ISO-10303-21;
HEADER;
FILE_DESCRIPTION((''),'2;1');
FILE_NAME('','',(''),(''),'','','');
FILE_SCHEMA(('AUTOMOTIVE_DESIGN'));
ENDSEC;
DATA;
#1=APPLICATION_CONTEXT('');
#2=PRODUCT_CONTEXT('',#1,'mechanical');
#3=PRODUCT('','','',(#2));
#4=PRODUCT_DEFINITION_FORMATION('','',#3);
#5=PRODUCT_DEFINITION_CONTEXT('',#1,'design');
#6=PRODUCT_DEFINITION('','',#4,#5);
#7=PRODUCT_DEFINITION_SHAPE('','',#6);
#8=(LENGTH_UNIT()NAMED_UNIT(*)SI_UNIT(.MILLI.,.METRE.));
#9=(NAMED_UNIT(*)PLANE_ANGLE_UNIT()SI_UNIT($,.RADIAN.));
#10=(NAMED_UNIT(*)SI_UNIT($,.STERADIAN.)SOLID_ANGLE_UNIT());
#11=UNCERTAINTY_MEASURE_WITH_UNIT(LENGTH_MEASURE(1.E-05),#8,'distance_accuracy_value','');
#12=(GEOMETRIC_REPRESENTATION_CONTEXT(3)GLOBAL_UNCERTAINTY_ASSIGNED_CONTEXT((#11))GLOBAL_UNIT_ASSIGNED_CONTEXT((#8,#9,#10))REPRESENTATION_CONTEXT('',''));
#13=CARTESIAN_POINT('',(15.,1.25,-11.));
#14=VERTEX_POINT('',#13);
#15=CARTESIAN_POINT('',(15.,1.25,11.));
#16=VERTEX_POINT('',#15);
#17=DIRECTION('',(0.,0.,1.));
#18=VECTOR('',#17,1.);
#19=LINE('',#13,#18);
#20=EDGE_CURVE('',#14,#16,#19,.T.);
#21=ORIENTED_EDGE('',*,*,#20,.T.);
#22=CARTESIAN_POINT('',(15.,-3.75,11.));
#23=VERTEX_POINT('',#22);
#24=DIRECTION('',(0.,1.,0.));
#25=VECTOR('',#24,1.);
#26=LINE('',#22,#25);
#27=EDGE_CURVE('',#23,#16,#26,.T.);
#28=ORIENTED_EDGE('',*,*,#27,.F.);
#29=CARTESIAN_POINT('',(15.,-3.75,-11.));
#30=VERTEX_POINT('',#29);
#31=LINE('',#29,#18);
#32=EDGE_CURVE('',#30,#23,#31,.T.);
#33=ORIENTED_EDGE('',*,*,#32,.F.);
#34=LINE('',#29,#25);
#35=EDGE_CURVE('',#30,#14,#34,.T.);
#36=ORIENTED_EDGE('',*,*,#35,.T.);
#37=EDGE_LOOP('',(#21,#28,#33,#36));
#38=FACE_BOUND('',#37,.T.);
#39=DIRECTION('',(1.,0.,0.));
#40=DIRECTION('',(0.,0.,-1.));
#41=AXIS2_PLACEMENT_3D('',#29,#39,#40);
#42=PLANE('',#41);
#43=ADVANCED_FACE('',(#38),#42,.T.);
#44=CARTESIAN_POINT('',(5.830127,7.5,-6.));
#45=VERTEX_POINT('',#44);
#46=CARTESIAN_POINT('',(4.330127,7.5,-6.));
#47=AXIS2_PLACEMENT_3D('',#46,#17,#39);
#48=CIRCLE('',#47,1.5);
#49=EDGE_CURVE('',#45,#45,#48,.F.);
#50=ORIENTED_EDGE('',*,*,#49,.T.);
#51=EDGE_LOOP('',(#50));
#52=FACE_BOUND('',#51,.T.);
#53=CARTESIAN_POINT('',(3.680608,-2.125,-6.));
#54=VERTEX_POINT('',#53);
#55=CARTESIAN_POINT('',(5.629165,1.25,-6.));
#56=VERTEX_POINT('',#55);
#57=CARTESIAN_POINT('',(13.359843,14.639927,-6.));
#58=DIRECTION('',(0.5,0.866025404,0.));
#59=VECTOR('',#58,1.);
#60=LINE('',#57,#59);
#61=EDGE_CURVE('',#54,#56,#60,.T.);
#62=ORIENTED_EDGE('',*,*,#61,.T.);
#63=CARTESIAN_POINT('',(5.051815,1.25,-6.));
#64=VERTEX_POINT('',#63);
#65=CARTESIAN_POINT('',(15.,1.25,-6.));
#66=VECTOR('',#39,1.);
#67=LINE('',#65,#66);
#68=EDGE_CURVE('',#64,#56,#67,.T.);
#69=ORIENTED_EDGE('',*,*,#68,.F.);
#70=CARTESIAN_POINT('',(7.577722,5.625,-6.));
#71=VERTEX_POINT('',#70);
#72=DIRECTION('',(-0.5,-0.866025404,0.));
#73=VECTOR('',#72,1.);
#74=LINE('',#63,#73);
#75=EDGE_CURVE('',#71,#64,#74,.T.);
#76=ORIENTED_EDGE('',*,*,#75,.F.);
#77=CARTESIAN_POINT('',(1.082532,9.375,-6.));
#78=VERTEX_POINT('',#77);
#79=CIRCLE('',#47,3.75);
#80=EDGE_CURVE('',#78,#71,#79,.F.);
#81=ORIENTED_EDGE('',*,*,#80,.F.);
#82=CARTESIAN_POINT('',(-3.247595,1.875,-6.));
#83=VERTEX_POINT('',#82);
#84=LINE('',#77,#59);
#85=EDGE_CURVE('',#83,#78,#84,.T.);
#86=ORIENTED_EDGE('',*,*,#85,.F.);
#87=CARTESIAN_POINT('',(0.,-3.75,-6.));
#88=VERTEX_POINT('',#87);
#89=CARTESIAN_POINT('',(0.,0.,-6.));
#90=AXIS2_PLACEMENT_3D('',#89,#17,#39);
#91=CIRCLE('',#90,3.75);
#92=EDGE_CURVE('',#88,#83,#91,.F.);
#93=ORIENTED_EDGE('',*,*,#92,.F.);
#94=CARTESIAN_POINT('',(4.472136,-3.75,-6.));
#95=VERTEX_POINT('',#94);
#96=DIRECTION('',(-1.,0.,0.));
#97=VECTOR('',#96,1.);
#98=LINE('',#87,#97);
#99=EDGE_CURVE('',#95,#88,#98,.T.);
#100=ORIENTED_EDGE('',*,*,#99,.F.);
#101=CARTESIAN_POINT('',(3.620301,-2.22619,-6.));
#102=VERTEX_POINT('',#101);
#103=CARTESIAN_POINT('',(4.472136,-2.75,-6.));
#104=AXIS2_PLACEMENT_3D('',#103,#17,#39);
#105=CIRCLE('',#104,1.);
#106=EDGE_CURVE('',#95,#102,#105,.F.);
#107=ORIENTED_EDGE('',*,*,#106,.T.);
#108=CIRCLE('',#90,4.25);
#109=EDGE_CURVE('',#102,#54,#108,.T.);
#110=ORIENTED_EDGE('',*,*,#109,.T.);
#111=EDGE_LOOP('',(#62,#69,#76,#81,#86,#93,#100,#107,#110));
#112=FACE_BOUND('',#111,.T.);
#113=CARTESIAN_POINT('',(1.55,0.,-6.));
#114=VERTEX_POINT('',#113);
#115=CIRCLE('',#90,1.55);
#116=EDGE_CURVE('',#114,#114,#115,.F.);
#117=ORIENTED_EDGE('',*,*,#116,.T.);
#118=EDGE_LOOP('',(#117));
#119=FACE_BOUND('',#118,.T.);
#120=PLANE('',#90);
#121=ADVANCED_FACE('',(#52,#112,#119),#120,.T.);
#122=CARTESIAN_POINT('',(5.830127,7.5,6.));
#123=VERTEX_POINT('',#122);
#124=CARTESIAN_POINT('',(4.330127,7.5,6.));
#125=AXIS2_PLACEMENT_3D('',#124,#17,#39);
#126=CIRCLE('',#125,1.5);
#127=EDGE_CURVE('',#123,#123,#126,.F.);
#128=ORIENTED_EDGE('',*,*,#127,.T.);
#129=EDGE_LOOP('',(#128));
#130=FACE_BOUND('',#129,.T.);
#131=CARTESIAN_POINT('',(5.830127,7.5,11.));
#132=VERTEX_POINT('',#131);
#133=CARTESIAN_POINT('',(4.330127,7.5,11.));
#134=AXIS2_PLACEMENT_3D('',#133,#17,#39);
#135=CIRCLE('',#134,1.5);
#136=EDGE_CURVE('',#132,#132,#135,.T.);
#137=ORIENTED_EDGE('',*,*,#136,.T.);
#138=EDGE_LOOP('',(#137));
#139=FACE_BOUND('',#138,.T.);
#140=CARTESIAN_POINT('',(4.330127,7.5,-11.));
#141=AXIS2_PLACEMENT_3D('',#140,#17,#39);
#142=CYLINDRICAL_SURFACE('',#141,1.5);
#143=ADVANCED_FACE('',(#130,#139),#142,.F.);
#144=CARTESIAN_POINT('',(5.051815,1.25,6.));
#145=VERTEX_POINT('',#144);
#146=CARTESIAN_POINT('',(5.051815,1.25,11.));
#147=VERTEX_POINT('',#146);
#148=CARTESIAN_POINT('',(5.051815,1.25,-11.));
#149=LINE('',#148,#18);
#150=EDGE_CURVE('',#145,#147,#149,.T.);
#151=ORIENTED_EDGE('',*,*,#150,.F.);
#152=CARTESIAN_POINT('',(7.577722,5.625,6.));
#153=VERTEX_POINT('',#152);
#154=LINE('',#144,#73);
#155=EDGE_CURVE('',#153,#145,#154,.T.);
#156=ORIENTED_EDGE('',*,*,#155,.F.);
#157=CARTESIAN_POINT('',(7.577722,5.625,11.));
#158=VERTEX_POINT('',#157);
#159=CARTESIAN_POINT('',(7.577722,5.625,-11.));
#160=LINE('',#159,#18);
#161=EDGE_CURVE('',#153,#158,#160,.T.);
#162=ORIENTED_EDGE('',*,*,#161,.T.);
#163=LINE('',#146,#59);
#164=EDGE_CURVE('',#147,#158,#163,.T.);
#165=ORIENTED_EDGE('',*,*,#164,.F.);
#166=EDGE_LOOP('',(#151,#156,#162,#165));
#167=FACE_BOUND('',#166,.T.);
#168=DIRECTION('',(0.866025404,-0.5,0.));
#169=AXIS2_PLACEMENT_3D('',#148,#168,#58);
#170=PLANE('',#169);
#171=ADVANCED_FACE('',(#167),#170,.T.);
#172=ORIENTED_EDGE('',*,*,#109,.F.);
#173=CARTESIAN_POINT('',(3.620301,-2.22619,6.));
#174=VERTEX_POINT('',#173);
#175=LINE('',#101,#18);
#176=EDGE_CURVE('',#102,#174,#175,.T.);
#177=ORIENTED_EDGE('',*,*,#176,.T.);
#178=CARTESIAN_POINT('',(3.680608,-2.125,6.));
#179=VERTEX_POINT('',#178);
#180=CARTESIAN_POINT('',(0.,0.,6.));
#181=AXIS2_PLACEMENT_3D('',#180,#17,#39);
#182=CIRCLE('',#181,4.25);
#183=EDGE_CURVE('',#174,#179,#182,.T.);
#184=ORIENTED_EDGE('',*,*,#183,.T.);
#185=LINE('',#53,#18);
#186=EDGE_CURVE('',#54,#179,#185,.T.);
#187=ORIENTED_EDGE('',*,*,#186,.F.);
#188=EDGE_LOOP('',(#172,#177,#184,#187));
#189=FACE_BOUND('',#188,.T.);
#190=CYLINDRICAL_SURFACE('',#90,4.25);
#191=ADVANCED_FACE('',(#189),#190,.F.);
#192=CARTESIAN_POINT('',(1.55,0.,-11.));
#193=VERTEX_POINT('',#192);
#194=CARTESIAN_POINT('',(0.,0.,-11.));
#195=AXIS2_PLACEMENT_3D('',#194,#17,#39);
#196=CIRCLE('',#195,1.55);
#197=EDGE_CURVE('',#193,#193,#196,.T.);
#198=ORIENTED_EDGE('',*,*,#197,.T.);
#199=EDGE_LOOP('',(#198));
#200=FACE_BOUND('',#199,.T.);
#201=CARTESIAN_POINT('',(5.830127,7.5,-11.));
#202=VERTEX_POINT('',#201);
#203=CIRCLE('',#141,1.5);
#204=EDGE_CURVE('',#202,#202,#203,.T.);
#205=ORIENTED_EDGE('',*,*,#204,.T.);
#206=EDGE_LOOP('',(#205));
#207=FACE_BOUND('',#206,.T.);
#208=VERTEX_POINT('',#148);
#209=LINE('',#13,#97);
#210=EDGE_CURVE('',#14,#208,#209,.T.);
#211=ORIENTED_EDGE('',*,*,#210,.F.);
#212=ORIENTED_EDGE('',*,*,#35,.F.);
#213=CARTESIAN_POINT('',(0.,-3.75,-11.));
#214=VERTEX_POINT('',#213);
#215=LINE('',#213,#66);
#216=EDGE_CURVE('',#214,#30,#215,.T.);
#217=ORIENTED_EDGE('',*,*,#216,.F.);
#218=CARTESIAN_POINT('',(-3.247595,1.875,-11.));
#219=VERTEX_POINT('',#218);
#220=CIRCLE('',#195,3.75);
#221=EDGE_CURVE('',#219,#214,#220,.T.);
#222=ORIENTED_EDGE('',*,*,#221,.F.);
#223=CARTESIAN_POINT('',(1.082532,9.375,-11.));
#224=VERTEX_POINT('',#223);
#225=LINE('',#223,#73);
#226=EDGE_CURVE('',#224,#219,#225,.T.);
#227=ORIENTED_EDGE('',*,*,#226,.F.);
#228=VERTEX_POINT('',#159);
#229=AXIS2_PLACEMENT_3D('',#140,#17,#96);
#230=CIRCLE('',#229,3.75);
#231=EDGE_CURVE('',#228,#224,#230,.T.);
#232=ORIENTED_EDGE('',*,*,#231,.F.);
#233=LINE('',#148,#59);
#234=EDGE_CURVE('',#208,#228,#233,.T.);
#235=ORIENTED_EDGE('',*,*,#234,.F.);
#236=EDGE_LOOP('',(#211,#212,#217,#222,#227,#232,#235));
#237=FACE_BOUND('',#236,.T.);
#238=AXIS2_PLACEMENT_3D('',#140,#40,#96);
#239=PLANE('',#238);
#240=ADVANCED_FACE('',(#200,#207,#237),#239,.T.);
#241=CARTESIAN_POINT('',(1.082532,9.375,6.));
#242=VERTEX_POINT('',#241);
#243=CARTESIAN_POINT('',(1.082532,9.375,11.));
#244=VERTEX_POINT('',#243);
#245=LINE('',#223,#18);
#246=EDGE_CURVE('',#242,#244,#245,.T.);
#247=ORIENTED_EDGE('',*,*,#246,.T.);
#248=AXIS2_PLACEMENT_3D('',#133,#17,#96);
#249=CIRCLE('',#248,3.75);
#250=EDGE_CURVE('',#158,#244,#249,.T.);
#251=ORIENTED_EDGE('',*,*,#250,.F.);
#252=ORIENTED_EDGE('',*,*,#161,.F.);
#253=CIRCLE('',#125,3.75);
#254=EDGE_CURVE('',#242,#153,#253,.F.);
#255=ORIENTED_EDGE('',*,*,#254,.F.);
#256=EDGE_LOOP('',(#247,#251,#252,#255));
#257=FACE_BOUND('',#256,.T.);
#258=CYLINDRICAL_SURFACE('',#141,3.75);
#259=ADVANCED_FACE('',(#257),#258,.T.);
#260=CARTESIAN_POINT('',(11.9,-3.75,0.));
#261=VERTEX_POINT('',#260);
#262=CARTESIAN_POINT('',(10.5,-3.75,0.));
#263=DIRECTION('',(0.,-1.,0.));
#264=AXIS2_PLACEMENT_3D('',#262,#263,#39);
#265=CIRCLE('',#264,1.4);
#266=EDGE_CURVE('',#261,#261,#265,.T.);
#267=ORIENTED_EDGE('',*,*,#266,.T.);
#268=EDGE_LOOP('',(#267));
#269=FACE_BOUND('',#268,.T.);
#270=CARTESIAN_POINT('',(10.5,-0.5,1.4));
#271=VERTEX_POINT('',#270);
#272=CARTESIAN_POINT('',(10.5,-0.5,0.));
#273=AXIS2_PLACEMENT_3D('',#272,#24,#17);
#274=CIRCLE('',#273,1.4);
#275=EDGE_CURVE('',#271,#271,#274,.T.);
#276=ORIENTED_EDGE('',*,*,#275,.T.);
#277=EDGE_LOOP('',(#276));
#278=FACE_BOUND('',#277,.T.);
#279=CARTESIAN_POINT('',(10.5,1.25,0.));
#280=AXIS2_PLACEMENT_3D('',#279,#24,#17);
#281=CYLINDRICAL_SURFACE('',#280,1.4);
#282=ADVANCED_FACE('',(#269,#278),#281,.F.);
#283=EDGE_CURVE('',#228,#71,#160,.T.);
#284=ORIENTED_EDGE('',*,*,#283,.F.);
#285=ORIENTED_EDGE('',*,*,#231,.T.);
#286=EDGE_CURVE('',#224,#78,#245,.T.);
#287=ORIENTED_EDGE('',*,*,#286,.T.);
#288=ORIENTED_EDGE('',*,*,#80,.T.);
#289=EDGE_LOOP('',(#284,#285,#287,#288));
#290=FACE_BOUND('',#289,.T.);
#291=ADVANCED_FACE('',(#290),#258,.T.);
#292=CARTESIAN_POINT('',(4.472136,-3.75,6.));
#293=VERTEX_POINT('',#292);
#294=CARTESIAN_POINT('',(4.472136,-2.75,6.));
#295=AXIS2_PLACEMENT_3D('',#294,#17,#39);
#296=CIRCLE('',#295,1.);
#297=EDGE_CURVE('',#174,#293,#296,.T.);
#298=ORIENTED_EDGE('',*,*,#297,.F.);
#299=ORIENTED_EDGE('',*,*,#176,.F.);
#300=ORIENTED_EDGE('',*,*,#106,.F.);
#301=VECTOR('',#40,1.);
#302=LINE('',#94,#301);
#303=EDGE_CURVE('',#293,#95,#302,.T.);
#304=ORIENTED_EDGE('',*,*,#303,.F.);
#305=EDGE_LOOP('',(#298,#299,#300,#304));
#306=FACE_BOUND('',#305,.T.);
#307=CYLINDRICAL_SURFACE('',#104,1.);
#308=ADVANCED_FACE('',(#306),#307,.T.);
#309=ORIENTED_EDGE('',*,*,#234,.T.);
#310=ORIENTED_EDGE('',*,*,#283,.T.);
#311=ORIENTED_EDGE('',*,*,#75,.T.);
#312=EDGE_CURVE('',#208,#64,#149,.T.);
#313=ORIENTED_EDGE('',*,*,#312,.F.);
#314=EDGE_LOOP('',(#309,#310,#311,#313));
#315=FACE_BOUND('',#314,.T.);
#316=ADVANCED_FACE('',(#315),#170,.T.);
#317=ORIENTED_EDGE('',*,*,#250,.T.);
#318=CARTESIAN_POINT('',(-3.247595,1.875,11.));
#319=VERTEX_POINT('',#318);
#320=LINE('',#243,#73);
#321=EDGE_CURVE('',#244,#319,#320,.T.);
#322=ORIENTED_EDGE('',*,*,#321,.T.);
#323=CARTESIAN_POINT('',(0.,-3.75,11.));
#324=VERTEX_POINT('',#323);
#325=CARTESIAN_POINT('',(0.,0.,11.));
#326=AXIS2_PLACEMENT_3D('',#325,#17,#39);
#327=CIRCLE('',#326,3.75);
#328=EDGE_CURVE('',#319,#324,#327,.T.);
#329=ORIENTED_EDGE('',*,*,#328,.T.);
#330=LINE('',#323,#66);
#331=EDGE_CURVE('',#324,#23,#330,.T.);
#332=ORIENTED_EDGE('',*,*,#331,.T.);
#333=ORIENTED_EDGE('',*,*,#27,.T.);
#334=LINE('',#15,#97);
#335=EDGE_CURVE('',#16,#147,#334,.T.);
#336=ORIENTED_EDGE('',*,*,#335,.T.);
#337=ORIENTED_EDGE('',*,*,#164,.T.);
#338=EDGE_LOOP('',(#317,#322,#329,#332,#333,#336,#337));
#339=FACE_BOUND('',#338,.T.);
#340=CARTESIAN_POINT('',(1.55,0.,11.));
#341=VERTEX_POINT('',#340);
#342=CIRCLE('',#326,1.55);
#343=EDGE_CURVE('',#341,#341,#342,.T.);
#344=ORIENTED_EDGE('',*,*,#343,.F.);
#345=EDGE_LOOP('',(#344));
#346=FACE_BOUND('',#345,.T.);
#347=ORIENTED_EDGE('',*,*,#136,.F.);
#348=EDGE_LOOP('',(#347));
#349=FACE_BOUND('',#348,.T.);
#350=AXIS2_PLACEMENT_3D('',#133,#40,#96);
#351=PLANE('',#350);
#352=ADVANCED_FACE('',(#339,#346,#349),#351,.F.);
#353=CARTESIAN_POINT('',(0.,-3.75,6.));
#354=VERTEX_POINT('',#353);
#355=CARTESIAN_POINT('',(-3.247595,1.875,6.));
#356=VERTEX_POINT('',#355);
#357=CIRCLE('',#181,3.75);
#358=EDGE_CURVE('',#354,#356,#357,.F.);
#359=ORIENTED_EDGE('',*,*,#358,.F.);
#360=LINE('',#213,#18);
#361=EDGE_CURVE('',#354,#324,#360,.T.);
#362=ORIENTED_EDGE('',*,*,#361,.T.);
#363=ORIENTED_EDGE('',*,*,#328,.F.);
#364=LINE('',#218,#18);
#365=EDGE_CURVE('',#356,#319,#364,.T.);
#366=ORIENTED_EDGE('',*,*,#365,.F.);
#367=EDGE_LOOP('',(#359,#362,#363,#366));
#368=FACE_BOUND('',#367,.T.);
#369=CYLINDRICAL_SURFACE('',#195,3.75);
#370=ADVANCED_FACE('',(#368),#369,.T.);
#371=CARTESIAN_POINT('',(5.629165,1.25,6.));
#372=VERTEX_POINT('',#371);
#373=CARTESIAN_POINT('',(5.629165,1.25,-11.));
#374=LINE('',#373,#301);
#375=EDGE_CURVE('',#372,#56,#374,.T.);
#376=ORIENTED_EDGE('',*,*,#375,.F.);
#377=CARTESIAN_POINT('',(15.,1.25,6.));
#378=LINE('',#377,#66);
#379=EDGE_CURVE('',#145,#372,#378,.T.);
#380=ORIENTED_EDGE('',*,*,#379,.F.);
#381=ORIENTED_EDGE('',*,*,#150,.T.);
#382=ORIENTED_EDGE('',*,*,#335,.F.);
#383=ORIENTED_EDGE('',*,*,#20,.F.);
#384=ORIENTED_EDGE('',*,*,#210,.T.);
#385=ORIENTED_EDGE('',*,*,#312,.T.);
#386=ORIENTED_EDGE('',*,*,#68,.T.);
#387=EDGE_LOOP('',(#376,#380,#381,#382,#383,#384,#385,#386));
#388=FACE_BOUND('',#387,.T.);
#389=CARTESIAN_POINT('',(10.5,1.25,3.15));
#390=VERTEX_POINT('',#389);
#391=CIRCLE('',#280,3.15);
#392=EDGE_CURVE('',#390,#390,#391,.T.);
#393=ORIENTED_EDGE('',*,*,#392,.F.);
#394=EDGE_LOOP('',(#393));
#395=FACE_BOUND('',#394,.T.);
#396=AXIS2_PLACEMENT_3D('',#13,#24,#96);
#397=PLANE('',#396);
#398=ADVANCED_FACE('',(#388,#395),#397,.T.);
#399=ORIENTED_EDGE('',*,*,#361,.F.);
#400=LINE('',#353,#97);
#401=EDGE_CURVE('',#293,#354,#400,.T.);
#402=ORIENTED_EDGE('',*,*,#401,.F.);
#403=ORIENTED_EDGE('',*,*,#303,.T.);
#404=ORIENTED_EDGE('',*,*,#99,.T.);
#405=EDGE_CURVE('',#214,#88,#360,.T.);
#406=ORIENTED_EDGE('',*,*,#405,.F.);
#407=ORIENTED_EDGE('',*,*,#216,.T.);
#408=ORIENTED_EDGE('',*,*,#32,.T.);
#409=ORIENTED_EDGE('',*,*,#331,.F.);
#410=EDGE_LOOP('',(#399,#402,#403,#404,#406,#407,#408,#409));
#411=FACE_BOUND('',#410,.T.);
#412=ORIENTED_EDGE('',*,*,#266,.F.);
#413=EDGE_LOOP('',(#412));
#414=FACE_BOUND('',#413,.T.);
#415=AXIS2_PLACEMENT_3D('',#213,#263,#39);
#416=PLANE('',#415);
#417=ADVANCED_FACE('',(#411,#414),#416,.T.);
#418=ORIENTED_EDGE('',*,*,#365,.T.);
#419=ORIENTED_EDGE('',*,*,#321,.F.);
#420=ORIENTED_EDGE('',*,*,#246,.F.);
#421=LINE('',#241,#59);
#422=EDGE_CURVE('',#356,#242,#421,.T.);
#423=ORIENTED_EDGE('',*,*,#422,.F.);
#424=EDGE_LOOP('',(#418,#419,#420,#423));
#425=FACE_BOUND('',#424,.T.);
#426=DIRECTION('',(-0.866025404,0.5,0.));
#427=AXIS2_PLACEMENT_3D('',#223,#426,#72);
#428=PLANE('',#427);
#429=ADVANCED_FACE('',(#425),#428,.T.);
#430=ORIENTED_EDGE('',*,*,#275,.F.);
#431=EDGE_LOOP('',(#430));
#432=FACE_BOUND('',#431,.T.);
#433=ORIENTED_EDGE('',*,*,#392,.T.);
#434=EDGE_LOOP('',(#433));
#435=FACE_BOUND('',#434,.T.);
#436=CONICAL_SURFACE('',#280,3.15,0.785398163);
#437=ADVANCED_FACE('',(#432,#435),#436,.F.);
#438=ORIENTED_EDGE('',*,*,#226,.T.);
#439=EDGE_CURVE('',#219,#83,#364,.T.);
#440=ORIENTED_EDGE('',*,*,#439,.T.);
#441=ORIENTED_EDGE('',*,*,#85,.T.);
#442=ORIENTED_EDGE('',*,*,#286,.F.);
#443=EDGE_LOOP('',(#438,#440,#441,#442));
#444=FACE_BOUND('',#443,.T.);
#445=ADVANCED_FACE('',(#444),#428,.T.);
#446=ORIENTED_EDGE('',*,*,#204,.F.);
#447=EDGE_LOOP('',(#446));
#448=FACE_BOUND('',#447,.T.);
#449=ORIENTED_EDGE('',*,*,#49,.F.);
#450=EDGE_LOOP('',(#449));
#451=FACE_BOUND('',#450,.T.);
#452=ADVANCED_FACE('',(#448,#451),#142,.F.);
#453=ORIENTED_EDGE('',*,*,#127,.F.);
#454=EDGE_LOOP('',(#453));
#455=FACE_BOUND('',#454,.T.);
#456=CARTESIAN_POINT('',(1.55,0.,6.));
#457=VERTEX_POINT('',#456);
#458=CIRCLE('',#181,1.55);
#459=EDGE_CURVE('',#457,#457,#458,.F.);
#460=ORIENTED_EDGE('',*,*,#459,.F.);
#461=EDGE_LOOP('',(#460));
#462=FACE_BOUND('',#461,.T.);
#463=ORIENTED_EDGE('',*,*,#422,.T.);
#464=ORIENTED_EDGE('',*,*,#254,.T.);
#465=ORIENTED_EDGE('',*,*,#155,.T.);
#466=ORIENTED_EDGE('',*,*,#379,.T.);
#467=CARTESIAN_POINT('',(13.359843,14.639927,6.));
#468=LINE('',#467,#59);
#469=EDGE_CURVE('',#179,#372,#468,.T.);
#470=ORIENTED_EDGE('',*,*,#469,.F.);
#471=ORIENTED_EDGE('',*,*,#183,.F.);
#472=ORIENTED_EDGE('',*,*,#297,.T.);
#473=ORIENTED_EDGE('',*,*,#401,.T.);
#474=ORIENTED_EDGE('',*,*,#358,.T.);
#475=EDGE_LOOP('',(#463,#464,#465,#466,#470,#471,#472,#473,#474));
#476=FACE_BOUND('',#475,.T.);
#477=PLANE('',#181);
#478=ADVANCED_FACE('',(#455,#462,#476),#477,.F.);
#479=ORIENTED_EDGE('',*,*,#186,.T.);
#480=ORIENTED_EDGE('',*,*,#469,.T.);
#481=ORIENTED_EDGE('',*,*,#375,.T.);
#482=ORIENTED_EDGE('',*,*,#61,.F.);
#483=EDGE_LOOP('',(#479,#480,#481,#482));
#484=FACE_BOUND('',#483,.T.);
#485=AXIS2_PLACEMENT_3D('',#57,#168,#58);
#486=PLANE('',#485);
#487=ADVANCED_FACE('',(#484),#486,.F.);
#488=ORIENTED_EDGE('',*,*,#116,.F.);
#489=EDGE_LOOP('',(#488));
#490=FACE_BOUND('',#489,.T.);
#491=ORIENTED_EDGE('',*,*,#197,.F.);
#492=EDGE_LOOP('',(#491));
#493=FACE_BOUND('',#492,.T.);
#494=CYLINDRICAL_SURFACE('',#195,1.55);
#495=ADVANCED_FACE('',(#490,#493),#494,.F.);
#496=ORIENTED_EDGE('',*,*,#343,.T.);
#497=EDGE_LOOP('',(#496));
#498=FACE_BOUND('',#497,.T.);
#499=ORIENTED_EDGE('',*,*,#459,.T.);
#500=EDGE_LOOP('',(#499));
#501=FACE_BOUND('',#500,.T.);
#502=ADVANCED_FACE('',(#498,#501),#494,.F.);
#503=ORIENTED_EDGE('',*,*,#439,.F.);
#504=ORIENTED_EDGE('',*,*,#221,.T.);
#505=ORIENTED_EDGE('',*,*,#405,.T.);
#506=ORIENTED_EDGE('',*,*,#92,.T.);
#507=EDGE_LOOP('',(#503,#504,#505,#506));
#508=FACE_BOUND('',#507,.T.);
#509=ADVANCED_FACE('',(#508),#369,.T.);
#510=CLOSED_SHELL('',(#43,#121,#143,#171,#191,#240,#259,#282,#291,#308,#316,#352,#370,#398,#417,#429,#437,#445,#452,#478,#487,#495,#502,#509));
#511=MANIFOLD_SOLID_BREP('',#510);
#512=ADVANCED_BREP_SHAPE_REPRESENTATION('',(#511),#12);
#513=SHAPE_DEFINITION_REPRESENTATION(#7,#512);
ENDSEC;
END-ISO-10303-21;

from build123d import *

# Parameters (mm, degrees)
SKETCH1_R                                       = 1.55
SKETCH1_R_2                                     = 1.5
BOSS_EXTRUDE1_DEPTH                             = 11
CUT_EXTRUDE1_DEPTH                              = 6
CSK_FOR_M3_FLAT_HEAD_MACHINE_SCREW1_D           = 2.8
CSK_FOR_M3_FLAT_HEAD_MACHINE_SCREW1_DEPTH       = 10
CSK_FOR_M3_FLAT_HEAD_MACHINE_SCREW1_CSINK_D     = 6.3
CSK_FOR_M3_FLAT_HEAD_MACHINE_SCREW1_CSINK_ANGLE = 90
CSK_FOR_M3_FLAT_HEAD_MACHINE_SCREW1_TIP         = 0.841204867
FILLET1_R                                       = 1


with BuildPart() as part:
    # Sketch1 → Boss-Extrude1 (new body, symmetric)
    with BuildSketch(Plane.XY):
        with BuildLine():
            Line((1.082531755, 9.375), (-3.247595264, 1.875))
            ThreePointArc((-3.247595264, 1.875), (-3.247595264, -1.875), (0, -3.75))
            Line((0, -3.75), (15, -3.75))
            Line((15, -3.75), (15, 1.25))
            Line((15, 1.25), (5.051814855, 1.25))
            Line((5.051814855, 1.25), (7.577722283, 5.625))
            ThreePointArc((7.577722283, 5.625), (6.205127019, 10.747595264), (1.082531755, 9.375))
        make_face()
        Circle(SKETCH1_R, mode=Mode.SUBTRACT)
        with Locations((4.330127019, 7.5)):
            Circle(SKETCH1_R_2, mode=Mode.SUBTRACT)
    extrude(amount=BOSS_EXTRUDE1_DEPTH, both=True)

    # Sketch5 → Cut-Extrude1 (cut, symmetric)
    with BuildSketch(Plane.XY):
        with BuildLine():
            Line((-3.680607966, 2.125), (5.998626937, 18.88992663))
            Line((5.998626937, 18.88992663), (13.359842869, 14.63992663))
            Line((13.359842869, 14.63992663), (3.680607966, -2.125))
            ThreePointArc((3.680607966, -2.125), (-2.125, -3.680607966), (-3.680607966, 2.125))
        make_face()
    extrude(amount=CUT_EXTRUDE1_DEPTH, both=True, mode=Mode.SUBTRACT)

    # CSK for M3 Flat Head Machine Screw1
    with Locations(Plane(origin=(0, 1.25, 0), x_dir=(1, 0, 0), z_dir=(0, 1, 0))):
        with Locations((10.5, 0)):
            CounterSinkHole(CSK_FOR_M3_FLAT_HEAD_MACHINE_SCREW1_D / 2, CSK_FOR_M3_FLAT_HEAD_MACHINE_SCREW1_CSINK_D / 2, depth=CSK_FOR_M3_FLAT_HEAD_MACHINE_SCREW1_DEPTH, counter_sink_angle=CSK_FOR_M3_FLAT_HEAD_MACHINE_SCREW1_CSINK_ANGLE)
            with Locations((0, 0, -(CSK_FOR_M3_FLAT_HEAD_MACHINE_SCREW1_DEPTH + CSK_FOR_M3_FLAT_HEAD_MACHINE_SCREW1_TIP / 2))):  # 118° drill point
                Cone(0, CSK_FOR_M3_FLAT_HEAD_MACHINE_SCREW1_D / 2, CSK_FOR_M3_FLAT_HEAD_MACHINE_SCREW1_TIP, mode=Mode.SUBTRACT)

    # Fillet1
    fillet1_edges = [part.edges().sort_by_distance(p)[0] for p in [
        (2, -3.75, 0),
    ]]
    fillet(fillet1_edges, radius=FILLET1_R)


solid = part.part
